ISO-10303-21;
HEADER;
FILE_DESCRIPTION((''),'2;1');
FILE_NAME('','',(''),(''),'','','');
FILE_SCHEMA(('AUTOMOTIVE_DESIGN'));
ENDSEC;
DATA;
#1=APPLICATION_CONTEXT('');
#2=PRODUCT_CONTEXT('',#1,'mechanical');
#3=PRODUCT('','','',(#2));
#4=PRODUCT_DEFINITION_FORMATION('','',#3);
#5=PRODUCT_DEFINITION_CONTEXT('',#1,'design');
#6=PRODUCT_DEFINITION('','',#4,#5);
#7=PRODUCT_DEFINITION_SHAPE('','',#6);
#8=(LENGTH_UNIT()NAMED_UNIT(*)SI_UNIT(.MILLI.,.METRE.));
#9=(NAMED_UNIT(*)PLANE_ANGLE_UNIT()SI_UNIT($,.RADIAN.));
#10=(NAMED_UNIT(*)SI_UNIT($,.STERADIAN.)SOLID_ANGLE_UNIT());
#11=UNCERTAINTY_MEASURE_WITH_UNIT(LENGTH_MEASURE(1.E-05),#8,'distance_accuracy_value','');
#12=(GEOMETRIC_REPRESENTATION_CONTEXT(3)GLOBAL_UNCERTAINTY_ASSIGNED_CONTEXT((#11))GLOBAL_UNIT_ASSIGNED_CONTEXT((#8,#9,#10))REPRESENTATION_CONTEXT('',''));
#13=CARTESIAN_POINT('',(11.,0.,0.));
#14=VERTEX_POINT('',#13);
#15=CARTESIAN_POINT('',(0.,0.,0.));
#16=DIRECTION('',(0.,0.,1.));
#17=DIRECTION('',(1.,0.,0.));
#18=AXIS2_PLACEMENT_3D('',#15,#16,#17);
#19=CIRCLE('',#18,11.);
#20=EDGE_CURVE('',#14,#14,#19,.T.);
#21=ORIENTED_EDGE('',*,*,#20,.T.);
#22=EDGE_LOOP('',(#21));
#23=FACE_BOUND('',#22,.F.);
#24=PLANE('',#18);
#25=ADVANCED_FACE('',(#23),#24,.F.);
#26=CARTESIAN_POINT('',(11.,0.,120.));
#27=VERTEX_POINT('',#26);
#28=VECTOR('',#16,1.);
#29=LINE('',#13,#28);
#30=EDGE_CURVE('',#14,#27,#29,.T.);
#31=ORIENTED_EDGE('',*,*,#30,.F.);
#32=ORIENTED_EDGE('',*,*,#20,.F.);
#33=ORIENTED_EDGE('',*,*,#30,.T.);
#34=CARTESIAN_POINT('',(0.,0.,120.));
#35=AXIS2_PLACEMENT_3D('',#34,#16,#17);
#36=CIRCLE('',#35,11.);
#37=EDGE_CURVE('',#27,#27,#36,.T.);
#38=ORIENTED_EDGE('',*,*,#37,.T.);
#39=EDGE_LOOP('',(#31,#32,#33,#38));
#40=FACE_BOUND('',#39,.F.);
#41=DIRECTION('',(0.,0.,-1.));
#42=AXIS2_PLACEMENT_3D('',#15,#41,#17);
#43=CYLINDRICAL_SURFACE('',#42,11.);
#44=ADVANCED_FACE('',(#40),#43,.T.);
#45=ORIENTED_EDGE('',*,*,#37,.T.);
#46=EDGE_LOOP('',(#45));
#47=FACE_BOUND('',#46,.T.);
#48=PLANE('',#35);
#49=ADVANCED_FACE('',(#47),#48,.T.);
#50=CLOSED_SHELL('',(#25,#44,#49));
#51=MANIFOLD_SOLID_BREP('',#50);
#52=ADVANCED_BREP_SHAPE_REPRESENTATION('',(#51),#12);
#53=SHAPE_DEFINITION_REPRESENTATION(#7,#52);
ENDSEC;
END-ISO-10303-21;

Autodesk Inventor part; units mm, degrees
ref_plane "YZ Plane" through (0, 0, 0) normal (1, 0, 0) x (0, 1, 0)
ref_plane "XZ Plane" through (0, 0, 0) normal (0, 1, 0) x (-1, 0, 0)
ref_plane "XY Plane" through (0, 0, 0) normal (0, 0, 1) x (1, 0, 0)
sketch "Skizze1" plane through (0, 0, 0) normal (0, 0, 1) x (1, 0, 0)
  circle A0 centre (0, 0) radius 11
  dimension "d0" = 22
extrude "Extrusion1" add sketch "Skizze1" along normal blind 120
properties part number "00_flashlight"
